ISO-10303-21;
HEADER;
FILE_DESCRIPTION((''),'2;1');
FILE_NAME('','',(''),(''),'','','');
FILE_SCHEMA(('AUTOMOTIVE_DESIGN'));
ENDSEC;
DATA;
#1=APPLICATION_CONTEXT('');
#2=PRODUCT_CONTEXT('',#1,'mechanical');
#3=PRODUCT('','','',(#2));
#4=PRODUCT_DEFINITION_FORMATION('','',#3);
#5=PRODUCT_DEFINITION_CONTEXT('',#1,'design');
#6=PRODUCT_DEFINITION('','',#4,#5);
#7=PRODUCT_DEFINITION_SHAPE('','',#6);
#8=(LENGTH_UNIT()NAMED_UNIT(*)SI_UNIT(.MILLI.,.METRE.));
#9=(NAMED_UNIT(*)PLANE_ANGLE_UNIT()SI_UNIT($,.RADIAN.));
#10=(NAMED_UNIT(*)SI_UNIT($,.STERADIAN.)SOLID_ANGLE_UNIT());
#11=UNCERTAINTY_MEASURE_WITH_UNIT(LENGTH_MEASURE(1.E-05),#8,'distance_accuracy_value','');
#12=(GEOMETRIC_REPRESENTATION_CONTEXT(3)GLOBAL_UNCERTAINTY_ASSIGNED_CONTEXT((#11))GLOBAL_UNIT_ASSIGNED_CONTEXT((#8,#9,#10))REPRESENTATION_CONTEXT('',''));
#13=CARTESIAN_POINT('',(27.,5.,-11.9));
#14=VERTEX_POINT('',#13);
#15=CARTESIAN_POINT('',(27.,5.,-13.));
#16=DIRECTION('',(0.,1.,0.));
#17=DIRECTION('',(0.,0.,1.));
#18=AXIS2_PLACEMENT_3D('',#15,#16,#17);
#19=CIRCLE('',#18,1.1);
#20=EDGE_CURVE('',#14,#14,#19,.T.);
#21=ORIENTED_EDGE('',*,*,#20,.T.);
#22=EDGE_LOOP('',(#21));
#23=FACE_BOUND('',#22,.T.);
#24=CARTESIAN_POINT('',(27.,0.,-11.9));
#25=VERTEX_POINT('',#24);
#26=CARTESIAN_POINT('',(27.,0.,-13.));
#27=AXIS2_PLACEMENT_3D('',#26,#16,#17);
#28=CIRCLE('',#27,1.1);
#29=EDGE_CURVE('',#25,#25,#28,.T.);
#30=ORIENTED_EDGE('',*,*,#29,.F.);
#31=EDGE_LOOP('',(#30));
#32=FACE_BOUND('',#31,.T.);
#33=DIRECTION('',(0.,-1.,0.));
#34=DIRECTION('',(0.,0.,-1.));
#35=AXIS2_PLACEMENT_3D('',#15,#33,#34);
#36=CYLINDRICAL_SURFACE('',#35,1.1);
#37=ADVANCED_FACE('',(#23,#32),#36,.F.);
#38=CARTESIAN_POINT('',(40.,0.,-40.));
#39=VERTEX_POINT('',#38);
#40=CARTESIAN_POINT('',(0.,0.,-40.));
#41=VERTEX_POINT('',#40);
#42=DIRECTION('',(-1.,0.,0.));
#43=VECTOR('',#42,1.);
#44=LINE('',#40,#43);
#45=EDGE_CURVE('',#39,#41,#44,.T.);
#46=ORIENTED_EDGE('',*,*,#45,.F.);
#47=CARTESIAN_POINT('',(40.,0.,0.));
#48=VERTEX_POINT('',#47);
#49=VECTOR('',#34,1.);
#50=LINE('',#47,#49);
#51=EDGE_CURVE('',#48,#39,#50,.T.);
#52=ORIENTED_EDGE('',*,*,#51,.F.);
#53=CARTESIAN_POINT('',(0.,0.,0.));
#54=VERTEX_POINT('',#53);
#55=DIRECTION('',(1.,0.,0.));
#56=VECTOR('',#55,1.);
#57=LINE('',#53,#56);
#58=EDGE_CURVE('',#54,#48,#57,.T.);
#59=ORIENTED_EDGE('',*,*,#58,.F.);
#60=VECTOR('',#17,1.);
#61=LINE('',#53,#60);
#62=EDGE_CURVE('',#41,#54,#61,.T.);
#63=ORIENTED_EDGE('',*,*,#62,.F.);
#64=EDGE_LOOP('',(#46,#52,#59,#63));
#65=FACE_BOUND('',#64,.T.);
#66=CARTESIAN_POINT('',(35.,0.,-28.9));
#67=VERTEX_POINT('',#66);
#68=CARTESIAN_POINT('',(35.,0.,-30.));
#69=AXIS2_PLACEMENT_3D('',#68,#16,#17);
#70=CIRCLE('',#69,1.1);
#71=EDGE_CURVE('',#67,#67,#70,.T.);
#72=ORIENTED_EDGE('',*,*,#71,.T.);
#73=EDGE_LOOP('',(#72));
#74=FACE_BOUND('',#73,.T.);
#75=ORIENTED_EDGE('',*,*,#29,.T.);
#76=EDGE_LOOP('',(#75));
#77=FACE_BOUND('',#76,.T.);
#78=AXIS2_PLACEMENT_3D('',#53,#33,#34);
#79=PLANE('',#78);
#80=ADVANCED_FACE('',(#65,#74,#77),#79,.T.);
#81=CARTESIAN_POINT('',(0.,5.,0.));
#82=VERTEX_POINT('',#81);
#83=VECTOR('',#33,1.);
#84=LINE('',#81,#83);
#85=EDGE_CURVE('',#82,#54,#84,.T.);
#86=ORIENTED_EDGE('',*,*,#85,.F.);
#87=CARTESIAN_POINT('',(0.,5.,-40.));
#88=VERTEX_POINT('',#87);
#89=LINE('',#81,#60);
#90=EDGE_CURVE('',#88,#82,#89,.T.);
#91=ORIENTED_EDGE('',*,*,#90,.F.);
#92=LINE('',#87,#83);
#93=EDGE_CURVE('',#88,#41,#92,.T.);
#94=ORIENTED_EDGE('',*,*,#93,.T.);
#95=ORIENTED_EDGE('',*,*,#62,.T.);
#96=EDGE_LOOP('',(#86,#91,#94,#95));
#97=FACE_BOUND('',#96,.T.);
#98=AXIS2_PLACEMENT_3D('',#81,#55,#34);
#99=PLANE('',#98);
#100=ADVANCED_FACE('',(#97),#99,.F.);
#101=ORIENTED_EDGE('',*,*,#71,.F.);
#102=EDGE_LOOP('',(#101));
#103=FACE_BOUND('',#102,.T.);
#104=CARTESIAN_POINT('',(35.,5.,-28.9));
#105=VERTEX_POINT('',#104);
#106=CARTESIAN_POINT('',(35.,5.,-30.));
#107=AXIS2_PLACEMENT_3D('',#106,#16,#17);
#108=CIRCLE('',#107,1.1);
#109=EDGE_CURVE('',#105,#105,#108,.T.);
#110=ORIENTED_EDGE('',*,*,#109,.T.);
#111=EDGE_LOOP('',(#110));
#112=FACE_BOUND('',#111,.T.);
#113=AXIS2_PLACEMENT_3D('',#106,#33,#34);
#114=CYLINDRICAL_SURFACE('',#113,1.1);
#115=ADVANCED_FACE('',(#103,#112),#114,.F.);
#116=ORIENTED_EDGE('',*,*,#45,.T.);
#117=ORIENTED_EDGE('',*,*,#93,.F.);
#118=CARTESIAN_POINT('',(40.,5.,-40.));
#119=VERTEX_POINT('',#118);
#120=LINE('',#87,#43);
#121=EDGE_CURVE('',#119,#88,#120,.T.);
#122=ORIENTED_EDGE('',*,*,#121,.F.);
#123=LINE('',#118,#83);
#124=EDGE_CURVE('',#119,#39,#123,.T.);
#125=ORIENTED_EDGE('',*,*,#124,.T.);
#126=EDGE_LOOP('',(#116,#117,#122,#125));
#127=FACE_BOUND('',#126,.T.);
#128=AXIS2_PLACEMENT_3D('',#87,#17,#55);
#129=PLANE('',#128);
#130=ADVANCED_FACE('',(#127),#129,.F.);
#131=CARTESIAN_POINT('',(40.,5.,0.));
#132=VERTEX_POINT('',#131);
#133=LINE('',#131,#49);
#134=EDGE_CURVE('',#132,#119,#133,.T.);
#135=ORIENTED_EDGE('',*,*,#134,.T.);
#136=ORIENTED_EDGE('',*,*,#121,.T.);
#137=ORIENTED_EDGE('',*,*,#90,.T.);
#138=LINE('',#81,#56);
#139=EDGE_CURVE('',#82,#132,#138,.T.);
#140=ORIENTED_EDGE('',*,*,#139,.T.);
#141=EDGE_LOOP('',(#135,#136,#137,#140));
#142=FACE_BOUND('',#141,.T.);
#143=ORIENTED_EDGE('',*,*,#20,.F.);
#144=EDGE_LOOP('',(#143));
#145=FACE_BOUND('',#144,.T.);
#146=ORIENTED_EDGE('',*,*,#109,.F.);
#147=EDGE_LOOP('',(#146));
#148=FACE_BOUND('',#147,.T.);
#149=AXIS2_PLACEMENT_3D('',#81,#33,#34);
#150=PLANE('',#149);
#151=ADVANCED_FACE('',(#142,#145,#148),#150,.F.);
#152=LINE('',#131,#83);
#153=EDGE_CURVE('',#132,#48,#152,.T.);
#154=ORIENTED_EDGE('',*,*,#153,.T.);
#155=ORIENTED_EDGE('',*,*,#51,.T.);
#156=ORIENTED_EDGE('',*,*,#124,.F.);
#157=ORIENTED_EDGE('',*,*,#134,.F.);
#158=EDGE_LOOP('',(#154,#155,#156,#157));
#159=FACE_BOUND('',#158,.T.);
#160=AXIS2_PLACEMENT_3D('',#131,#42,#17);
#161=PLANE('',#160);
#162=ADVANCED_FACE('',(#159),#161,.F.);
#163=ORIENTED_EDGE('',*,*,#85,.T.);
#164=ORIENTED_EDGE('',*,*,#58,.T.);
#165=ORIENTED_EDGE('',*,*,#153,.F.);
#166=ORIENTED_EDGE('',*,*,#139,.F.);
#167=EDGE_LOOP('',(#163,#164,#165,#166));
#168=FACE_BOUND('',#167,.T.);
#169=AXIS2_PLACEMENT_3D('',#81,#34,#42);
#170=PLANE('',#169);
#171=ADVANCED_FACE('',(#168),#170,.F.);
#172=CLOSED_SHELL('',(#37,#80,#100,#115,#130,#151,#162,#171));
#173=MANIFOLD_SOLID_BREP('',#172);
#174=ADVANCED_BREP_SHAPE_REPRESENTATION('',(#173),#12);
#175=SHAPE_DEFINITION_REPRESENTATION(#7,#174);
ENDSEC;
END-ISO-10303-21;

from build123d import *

# Parameters (mm, degrees)
SKETCH1_W           = 40
SKETCH1_H           = 40
SKETCH1_R           = 1.1
BOSS_EXTRUDE1_DEPTH = 5


with BuildPart() as part:
    # Sketch1 → Boss-Extrude1 (new body)
    with BuildSketch(Plane(origin=(0, 0, 0), x_dir=(1, 0, 0), z_dir=(0, 1, 0))):
        with Locations((20, 20)):
            Rectangle(SKETCH1_W, SKETCH1_H)
        with Locations((27, 13)):
            Circle(SKETCH1_R, mode=Mode.SUBTRACT)
        with Locations((35, 30)):
            Circle(SKETCH1_R, mode=Mode.SUBTRACT)
    extrude(amount=BOSS_EXTRUDE1_DEPTH)


solid = part.part
